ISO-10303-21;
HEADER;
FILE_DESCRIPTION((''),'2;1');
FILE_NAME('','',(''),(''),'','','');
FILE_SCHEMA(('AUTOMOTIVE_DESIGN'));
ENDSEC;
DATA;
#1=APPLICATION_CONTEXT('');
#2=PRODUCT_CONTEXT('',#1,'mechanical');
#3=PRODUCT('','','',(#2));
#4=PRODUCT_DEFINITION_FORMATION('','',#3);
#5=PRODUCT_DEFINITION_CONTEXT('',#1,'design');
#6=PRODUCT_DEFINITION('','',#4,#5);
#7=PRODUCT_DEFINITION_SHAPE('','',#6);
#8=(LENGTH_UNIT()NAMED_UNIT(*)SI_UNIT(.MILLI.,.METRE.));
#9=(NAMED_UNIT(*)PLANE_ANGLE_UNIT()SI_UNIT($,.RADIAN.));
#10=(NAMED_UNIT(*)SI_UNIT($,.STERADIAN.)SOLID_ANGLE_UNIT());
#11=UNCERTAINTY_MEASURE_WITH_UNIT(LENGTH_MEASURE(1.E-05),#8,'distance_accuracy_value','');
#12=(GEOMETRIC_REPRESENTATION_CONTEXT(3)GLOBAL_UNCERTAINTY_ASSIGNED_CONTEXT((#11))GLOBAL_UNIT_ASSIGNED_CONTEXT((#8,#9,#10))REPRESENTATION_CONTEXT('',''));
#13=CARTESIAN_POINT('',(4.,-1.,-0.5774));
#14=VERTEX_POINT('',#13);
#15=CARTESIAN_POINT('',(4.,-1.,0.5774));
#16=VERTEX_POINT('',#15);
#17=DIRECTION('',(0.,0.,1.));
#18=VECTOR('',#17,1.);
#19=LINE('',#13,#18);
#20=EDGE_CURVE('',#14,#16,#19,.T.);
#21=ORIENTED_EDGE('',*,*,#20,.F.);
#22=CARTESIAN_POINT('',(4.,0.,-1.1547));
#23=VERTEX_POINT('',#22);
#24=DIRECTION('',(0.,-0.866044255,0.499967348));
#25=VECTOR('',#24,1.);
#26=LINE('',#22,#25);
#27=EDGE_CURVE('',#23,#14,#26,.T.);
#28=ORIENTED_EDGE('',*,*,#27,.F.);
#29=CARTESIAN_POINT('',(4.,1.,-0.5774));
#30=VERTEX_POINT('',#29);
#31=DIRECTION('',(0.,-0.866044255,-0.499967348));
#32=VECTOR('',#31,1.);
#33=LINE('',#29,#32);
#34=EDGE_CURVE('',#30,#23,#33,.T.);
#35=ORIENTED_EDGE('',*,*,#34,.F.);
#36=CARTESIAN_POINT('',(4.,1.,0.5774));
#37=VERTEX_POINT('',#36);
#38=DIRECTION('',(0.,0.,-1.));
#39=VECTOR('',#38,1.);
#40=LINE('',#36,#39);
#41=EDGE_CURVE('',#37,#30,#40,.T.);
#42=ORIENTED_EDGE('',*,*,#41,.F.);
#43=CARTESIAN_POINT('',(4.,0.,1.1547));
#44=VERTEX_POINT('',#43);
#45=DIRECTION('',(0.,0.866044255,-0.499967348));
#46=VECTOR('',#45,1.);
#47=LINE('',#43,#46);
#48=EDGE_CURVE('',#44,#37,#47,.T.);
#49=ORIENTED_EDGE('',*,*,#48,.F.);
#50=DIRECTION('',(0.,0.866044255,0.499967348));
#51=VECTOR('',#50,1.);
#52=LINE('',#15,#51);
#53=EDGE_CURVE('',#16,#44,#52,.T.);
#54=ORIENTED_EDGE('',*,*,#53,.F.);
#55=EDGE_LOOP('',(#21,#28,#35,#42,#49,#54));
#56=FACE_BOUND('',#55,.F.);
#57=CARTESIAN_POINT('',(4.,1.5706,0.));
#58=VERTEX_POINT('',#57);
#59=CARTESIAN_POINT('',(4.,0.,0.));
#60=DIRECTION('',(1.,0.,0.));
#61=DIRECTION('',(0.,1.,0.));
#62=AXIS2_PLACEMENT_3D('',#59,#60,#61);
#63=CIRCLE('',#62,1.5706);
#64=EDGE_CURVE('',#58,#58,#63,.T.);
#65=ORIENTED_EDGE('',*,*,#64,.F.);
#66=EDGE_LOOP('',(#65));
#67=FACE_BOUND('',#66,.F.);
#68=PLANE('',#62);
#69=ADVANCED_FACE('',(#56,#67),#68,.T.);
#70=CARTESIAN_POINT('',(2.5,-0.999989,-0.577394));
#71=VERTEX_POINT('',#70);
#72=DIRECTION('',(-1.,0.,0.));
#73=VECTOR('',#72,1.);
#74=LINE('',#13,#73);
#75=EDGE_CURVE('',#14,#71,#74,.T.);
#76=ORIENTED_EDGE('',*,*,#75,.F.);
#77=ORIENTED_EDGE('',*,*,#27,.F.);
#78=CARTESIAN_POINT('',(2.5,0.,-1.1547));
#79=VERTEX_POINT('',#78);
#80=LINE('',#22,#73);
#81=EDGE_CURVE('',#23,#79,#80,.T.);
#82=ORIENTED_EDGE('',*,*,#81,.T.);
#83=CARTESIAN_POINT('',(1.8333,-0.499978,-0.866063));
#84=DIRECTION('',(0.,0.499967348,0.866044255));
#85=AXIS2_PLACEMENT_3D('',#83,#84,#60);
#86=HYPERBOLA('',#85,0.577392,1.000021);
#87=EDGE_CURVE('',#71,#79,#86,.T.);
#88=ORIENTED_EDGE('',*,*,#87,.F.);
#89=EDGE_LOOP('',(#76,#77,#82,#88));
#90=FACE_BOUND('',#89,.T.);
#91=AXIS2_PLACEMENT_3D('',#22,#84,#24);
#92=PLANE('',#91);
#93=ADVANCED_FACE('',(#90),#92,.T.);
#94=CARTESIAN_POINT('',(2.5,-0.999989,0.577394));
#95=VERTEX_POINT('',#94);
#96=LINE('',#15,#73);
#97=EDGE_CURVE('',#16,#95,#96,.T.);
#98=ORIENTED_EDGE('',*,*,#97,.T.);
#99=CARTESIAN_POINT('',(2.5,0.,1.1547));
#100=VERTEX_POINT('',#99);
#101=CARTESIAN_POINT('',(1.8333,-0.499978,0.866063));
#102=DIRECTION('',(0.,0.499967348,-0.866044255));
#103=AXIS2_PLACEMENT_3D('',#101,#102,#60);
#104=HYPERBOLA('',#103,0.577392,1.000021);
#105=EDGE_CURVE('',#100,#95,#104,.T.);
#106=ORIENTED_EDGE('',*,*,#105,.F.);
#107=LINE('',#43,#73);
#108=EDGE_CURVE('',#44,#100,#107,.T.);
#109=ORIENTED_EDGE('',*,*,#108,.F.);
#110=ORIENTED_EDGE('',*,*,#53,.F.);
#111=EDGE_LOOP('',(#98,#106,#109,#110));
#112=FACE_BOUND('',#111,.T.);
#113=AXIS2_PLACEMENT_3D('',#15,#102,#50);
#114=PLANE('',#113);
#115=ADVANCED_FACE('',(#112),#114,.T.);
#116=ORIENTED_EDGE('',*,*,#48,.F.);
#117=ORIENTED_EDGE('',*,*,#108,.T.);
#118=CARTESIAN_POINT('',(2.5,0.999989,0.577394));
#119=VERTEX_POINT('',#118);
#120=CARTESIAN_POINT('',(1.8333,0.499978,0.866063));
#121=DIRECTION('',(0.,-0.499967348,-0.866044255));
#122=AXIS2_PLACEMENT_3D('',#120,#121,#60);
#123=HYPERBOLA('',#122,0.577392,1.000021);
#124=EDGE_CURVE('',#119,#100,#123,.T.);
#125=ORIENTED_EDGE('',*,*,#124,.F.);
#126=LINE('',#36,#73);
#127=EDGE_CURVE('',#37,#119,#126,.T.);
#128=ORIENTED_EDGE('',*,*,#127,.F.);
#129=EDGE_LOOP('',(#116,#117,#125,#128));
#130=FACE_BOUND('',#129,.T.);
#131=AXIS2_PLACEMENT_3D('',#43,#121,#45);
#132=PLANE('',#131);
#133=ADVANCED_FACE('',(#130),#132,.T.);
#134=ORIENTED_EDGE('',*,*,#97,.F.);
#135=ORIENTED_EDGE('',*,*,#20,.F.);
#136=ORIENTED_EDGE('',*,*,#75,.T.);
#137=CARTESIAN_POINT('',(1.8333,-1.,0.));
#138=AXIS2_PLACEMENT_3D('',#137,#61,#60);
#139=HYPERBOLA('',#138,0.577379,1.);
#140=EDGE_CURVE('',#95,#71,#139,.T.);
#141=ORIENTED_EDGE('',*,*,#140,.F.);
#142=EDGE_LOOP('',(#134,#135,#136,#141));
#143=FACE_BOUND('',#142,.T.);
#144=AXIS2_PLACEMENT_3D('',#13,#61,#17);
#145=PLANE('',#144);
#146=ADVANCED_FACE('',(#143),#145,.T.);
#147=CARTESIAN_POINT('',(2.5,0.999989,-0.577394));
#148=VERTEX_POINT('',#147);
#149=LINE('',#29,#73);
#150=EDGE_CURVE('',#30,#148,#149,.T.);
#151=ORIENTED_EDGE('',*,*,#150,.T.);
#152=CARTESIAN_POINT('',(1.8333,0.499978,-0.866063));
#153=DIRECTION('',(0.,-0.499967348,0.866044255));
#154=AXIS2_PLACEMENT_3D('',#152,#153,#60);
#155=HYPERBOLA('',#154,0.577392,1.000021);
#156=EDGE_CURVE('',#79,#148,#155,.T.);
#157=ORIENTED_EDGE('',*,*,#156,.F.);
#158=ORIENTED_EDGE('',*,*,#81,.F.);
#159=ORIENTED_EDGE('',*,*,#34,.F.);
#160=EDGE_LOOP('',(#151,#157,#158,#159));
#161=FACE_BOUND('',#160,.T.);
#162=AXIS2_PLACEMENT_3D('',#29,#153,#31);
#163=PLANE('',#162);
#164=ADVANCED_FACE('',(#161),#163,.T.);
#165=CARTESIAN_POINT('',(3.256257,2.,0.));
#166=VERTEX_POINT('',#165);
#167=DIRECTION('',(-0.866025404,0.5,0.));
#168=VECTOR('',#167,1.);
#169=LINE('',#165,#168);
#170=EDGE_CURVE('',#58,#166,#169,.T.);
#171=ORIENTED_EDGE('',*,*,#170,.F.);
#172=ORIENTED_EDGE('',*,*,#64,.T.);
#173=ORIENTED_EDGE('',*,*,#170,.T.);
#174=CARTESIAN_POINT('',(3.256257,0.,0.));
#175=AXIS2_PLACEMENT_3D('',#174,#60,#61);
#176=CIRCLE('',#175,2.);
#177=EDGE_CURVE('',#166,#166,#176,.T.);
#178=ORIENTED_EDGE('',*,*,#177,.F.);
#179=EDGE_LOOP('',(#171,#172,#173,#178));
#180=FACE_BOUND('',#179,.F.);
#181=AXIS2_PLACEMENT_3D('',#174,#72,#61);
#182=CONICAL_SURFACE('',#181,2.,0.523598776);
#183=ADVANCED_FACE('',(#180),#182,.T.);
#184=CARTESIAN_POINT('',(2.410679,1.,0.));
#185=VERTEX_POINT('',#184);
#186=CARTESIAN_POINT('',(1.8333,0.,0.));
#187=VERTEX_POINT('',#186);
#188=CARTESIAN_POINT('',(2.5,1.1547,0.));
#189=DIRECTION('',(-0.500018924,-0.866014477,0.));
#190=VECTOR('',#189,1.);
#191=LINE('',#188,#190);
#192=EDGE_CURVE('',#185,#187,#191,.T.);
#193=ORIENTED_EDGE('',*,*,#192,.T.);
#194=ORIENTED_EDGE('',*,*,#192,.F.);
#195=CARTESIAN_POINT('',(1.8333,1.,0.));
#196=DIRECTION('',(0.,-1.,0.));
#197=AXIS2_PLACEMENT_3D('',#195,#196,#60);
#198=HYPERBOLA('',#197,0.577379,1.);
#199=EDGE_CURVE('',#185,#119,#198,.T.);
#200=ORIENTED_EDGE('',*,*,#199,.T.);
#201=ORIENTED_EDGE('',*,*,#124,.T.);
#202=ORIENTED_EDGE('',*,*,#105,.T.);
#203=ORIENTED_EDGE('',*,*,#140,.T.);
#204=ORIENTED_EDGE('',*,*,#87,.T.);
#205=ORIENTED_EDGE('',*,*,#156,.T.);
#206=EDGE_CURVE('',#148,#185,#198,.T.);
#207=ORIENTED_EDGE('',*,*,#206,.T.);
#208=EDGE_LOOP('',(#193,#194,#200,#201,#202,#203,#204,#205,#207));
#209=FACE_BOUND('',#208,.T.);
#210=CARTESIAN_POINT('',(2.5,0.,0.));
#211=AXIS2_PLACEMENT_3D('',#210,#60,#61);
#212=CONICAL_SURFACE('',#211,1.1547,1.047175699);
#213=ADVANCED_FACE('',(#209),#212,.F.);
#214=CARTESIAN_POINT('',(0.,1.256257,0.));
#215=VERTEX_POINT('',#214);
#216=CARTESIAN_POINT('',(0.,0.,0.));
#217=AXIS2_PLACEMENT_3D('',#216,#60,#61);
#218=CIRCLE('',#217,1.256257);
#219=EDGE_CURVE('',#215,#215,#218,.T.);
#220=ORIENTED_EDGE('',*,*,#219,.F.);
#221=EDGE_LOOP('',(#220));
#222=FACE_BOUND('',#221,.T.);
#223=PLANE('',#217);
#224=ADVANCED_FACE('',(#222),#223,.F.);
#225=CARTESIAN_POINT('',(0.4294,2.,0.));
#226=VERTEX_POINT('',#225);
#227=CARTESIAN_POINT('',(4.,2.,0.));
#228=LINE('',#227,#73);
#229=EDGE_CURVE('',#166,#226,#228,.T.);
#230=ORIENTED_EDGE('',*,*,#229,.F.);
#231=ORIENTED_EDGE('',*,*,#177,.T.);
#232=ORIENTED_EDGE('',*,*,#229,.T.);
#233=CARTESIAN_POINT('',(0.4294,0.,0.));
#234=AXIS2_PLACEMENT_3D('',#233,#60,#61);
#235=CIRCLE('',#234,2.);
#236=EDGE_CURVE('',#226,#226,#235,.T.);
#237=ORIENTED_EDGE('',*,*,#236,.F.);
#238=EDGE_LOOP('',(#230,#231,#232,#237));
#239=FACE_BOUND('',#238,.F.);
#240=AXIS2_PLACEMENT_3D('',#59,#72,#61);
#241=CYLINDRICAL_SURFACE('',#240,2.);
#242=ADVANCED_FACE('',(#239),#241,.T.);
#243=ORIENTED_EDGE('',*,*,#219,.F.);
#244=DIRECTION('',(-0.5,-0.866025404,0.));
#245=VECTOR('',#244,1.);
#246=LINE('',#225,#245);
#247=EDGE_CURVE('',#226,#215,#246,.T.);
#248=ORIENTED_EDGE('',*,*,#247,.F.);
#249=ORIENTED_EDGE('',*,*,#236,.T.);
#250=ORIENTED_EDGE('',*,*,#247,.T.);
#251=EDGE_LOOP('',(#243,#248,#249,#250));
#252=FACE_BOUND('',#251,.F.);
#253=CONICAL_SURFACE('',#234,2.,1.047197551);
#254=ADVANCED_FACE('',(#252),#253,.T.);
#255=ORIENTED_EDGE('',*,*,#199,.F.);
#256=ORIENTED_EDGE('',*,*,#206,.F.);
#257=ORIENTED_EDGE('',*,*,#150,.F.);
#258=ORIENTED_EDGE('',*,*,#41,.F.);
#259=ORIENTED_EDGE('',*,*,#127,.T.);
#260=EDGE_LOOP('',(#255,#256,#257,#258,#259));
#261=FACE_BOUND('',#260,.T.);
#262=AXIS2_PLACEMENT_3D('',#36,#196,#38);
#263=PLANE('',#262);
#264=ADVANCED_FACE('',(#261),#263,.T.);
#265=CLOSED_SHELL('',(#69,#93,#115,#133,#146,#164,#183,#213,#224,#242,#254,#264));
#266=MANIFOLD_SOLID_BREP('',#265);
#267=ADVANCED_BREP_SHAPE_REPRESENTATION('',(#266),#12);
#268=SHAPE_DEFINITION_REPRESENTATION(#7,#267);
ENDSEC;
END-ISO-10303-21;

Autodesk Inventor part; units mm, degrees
ref_plane "YZ Plane" through (0, 0, 0) normal (1, 0, 0) x (0, 1, 0)
ref_plane "XZ Plane" through (0, 0, 0) normal (0, 1, 0) x (-1, 0, 0)
sketch "Sketch1" plane through (0, 0, 0) normal (0, 0, 1) x (1, 0, 0)
  line L0 (0, 0) -> (1.8333, 0)
  line L1 (4, 1.1547) -> (4, 2)
  line L2 (4, 2) -> (0, 2)
  line L3 (4, 1.1547) -> (2.5, 1.1547)
  line L4 (2.5, 1.1547) -> (1.8333, 0)
  line L5 (0, -0.4) -> (0, 2.4) projected
  line L6 (0, 2) -> (0, 0)
  dimension "d0" = 1.5
  dimension "d1" = 60
  dimension "d2" = 4
  dimension "d3" = 2.3094
  dimension "d5" = 4
revolve "Body" add sketch "Sketch1" angle 360 about axis through (0, 0, 0) along (1, 0, 0)
chamfer "Chamfer1" distance 0.4294 angle 60 1 edges at (4, -2, 0) measured on face at (4, 1.6877, -0.2517)
sketch "Sketch2" plane through (4, 0, 0) normal (1, 0, 0) x (0, 0, -1)
  circle A0 centre (0, 0) radius 1.1547 projected
  line L0 (-0.5774, 1) -> (0.5774, 1)
  line L1 (0.5774, 1) -> (1.1547, 0)
  line L2 (1.1547, 0) -> (0.5774, -1)
  line L3 (0.5774, -1) -> (-0.5774, -1)
  line L4 (-0.5774, -1) -> (-1.1547, 0)
  line L5 (-1.1547, 0) -> (-0.5774, 1)
extrude "Slot" add sketch "Sketch2" against normal up to next contours L1 A0 | A0 L2 | L0 A0 | A0 L3 | L5 A0 | A0 L4
thread "Thread" size "M4x0.7" class "6g" standard "ISO Metric profile" length 4
chamfer "Chamfer2" distance 0.4294 angle 60 1 edges at (0, -2, 0) measured on face at (1.0854, 1.9935, -0.1609)
ref_plane "Work Plane1" through (2, 0, 0) normal (0, 0.5, 0.866) x (1, 0, 0)
equation "\"d0\" = INTI"
equation "\"d2\" = NND"
equation "\"d3\" = 1.1547 * SW"
equation "\"d5\" = NLG"
equation "\"d7\" = -0.5 * GD1 + 0.5 * NND"
equation "\"d8\" = FAWI"
equation "\"d29\" = -0.5 * GD1 + 0.5 * NND"
equation "\"d11\" = NLG"
equation "\"d13\" = -0.5 * GD1 + 0.5 * NND"
equation "\"d14\" = FAWI"
equation "\"d30\" = -0.5 * GD1 + 0.5 * NND"
equation "\"NND\" = 4"
equation "\"NLG\" = 4"
equation "\"INTI\" = 1.5"
equation "\"FAWI\" = 60deg"
equation "\"SW\" = 2"
equation "\"GD1\" = THREADDIA - 1.2269 * PTC"
equation "\"FAWI1\" = 45deg"
equation "\"GUL\" = 0.61345 * PTC"
equation "\"SPD\" = 2.5"
equation "\"SEWI\" = 120deg"
equation "\"TOA\" = 30deg"
equation "\"THREADDIA\" = 4"
equation "\"PTC\" = 0.7"
equation "\"GAL\" = 0.61345 * PTC"
equation "\"E0\" = 1.155 * SW"
properties part number "ISO 4026 - M4 x 4" material "Stainless Steel, 440C"
